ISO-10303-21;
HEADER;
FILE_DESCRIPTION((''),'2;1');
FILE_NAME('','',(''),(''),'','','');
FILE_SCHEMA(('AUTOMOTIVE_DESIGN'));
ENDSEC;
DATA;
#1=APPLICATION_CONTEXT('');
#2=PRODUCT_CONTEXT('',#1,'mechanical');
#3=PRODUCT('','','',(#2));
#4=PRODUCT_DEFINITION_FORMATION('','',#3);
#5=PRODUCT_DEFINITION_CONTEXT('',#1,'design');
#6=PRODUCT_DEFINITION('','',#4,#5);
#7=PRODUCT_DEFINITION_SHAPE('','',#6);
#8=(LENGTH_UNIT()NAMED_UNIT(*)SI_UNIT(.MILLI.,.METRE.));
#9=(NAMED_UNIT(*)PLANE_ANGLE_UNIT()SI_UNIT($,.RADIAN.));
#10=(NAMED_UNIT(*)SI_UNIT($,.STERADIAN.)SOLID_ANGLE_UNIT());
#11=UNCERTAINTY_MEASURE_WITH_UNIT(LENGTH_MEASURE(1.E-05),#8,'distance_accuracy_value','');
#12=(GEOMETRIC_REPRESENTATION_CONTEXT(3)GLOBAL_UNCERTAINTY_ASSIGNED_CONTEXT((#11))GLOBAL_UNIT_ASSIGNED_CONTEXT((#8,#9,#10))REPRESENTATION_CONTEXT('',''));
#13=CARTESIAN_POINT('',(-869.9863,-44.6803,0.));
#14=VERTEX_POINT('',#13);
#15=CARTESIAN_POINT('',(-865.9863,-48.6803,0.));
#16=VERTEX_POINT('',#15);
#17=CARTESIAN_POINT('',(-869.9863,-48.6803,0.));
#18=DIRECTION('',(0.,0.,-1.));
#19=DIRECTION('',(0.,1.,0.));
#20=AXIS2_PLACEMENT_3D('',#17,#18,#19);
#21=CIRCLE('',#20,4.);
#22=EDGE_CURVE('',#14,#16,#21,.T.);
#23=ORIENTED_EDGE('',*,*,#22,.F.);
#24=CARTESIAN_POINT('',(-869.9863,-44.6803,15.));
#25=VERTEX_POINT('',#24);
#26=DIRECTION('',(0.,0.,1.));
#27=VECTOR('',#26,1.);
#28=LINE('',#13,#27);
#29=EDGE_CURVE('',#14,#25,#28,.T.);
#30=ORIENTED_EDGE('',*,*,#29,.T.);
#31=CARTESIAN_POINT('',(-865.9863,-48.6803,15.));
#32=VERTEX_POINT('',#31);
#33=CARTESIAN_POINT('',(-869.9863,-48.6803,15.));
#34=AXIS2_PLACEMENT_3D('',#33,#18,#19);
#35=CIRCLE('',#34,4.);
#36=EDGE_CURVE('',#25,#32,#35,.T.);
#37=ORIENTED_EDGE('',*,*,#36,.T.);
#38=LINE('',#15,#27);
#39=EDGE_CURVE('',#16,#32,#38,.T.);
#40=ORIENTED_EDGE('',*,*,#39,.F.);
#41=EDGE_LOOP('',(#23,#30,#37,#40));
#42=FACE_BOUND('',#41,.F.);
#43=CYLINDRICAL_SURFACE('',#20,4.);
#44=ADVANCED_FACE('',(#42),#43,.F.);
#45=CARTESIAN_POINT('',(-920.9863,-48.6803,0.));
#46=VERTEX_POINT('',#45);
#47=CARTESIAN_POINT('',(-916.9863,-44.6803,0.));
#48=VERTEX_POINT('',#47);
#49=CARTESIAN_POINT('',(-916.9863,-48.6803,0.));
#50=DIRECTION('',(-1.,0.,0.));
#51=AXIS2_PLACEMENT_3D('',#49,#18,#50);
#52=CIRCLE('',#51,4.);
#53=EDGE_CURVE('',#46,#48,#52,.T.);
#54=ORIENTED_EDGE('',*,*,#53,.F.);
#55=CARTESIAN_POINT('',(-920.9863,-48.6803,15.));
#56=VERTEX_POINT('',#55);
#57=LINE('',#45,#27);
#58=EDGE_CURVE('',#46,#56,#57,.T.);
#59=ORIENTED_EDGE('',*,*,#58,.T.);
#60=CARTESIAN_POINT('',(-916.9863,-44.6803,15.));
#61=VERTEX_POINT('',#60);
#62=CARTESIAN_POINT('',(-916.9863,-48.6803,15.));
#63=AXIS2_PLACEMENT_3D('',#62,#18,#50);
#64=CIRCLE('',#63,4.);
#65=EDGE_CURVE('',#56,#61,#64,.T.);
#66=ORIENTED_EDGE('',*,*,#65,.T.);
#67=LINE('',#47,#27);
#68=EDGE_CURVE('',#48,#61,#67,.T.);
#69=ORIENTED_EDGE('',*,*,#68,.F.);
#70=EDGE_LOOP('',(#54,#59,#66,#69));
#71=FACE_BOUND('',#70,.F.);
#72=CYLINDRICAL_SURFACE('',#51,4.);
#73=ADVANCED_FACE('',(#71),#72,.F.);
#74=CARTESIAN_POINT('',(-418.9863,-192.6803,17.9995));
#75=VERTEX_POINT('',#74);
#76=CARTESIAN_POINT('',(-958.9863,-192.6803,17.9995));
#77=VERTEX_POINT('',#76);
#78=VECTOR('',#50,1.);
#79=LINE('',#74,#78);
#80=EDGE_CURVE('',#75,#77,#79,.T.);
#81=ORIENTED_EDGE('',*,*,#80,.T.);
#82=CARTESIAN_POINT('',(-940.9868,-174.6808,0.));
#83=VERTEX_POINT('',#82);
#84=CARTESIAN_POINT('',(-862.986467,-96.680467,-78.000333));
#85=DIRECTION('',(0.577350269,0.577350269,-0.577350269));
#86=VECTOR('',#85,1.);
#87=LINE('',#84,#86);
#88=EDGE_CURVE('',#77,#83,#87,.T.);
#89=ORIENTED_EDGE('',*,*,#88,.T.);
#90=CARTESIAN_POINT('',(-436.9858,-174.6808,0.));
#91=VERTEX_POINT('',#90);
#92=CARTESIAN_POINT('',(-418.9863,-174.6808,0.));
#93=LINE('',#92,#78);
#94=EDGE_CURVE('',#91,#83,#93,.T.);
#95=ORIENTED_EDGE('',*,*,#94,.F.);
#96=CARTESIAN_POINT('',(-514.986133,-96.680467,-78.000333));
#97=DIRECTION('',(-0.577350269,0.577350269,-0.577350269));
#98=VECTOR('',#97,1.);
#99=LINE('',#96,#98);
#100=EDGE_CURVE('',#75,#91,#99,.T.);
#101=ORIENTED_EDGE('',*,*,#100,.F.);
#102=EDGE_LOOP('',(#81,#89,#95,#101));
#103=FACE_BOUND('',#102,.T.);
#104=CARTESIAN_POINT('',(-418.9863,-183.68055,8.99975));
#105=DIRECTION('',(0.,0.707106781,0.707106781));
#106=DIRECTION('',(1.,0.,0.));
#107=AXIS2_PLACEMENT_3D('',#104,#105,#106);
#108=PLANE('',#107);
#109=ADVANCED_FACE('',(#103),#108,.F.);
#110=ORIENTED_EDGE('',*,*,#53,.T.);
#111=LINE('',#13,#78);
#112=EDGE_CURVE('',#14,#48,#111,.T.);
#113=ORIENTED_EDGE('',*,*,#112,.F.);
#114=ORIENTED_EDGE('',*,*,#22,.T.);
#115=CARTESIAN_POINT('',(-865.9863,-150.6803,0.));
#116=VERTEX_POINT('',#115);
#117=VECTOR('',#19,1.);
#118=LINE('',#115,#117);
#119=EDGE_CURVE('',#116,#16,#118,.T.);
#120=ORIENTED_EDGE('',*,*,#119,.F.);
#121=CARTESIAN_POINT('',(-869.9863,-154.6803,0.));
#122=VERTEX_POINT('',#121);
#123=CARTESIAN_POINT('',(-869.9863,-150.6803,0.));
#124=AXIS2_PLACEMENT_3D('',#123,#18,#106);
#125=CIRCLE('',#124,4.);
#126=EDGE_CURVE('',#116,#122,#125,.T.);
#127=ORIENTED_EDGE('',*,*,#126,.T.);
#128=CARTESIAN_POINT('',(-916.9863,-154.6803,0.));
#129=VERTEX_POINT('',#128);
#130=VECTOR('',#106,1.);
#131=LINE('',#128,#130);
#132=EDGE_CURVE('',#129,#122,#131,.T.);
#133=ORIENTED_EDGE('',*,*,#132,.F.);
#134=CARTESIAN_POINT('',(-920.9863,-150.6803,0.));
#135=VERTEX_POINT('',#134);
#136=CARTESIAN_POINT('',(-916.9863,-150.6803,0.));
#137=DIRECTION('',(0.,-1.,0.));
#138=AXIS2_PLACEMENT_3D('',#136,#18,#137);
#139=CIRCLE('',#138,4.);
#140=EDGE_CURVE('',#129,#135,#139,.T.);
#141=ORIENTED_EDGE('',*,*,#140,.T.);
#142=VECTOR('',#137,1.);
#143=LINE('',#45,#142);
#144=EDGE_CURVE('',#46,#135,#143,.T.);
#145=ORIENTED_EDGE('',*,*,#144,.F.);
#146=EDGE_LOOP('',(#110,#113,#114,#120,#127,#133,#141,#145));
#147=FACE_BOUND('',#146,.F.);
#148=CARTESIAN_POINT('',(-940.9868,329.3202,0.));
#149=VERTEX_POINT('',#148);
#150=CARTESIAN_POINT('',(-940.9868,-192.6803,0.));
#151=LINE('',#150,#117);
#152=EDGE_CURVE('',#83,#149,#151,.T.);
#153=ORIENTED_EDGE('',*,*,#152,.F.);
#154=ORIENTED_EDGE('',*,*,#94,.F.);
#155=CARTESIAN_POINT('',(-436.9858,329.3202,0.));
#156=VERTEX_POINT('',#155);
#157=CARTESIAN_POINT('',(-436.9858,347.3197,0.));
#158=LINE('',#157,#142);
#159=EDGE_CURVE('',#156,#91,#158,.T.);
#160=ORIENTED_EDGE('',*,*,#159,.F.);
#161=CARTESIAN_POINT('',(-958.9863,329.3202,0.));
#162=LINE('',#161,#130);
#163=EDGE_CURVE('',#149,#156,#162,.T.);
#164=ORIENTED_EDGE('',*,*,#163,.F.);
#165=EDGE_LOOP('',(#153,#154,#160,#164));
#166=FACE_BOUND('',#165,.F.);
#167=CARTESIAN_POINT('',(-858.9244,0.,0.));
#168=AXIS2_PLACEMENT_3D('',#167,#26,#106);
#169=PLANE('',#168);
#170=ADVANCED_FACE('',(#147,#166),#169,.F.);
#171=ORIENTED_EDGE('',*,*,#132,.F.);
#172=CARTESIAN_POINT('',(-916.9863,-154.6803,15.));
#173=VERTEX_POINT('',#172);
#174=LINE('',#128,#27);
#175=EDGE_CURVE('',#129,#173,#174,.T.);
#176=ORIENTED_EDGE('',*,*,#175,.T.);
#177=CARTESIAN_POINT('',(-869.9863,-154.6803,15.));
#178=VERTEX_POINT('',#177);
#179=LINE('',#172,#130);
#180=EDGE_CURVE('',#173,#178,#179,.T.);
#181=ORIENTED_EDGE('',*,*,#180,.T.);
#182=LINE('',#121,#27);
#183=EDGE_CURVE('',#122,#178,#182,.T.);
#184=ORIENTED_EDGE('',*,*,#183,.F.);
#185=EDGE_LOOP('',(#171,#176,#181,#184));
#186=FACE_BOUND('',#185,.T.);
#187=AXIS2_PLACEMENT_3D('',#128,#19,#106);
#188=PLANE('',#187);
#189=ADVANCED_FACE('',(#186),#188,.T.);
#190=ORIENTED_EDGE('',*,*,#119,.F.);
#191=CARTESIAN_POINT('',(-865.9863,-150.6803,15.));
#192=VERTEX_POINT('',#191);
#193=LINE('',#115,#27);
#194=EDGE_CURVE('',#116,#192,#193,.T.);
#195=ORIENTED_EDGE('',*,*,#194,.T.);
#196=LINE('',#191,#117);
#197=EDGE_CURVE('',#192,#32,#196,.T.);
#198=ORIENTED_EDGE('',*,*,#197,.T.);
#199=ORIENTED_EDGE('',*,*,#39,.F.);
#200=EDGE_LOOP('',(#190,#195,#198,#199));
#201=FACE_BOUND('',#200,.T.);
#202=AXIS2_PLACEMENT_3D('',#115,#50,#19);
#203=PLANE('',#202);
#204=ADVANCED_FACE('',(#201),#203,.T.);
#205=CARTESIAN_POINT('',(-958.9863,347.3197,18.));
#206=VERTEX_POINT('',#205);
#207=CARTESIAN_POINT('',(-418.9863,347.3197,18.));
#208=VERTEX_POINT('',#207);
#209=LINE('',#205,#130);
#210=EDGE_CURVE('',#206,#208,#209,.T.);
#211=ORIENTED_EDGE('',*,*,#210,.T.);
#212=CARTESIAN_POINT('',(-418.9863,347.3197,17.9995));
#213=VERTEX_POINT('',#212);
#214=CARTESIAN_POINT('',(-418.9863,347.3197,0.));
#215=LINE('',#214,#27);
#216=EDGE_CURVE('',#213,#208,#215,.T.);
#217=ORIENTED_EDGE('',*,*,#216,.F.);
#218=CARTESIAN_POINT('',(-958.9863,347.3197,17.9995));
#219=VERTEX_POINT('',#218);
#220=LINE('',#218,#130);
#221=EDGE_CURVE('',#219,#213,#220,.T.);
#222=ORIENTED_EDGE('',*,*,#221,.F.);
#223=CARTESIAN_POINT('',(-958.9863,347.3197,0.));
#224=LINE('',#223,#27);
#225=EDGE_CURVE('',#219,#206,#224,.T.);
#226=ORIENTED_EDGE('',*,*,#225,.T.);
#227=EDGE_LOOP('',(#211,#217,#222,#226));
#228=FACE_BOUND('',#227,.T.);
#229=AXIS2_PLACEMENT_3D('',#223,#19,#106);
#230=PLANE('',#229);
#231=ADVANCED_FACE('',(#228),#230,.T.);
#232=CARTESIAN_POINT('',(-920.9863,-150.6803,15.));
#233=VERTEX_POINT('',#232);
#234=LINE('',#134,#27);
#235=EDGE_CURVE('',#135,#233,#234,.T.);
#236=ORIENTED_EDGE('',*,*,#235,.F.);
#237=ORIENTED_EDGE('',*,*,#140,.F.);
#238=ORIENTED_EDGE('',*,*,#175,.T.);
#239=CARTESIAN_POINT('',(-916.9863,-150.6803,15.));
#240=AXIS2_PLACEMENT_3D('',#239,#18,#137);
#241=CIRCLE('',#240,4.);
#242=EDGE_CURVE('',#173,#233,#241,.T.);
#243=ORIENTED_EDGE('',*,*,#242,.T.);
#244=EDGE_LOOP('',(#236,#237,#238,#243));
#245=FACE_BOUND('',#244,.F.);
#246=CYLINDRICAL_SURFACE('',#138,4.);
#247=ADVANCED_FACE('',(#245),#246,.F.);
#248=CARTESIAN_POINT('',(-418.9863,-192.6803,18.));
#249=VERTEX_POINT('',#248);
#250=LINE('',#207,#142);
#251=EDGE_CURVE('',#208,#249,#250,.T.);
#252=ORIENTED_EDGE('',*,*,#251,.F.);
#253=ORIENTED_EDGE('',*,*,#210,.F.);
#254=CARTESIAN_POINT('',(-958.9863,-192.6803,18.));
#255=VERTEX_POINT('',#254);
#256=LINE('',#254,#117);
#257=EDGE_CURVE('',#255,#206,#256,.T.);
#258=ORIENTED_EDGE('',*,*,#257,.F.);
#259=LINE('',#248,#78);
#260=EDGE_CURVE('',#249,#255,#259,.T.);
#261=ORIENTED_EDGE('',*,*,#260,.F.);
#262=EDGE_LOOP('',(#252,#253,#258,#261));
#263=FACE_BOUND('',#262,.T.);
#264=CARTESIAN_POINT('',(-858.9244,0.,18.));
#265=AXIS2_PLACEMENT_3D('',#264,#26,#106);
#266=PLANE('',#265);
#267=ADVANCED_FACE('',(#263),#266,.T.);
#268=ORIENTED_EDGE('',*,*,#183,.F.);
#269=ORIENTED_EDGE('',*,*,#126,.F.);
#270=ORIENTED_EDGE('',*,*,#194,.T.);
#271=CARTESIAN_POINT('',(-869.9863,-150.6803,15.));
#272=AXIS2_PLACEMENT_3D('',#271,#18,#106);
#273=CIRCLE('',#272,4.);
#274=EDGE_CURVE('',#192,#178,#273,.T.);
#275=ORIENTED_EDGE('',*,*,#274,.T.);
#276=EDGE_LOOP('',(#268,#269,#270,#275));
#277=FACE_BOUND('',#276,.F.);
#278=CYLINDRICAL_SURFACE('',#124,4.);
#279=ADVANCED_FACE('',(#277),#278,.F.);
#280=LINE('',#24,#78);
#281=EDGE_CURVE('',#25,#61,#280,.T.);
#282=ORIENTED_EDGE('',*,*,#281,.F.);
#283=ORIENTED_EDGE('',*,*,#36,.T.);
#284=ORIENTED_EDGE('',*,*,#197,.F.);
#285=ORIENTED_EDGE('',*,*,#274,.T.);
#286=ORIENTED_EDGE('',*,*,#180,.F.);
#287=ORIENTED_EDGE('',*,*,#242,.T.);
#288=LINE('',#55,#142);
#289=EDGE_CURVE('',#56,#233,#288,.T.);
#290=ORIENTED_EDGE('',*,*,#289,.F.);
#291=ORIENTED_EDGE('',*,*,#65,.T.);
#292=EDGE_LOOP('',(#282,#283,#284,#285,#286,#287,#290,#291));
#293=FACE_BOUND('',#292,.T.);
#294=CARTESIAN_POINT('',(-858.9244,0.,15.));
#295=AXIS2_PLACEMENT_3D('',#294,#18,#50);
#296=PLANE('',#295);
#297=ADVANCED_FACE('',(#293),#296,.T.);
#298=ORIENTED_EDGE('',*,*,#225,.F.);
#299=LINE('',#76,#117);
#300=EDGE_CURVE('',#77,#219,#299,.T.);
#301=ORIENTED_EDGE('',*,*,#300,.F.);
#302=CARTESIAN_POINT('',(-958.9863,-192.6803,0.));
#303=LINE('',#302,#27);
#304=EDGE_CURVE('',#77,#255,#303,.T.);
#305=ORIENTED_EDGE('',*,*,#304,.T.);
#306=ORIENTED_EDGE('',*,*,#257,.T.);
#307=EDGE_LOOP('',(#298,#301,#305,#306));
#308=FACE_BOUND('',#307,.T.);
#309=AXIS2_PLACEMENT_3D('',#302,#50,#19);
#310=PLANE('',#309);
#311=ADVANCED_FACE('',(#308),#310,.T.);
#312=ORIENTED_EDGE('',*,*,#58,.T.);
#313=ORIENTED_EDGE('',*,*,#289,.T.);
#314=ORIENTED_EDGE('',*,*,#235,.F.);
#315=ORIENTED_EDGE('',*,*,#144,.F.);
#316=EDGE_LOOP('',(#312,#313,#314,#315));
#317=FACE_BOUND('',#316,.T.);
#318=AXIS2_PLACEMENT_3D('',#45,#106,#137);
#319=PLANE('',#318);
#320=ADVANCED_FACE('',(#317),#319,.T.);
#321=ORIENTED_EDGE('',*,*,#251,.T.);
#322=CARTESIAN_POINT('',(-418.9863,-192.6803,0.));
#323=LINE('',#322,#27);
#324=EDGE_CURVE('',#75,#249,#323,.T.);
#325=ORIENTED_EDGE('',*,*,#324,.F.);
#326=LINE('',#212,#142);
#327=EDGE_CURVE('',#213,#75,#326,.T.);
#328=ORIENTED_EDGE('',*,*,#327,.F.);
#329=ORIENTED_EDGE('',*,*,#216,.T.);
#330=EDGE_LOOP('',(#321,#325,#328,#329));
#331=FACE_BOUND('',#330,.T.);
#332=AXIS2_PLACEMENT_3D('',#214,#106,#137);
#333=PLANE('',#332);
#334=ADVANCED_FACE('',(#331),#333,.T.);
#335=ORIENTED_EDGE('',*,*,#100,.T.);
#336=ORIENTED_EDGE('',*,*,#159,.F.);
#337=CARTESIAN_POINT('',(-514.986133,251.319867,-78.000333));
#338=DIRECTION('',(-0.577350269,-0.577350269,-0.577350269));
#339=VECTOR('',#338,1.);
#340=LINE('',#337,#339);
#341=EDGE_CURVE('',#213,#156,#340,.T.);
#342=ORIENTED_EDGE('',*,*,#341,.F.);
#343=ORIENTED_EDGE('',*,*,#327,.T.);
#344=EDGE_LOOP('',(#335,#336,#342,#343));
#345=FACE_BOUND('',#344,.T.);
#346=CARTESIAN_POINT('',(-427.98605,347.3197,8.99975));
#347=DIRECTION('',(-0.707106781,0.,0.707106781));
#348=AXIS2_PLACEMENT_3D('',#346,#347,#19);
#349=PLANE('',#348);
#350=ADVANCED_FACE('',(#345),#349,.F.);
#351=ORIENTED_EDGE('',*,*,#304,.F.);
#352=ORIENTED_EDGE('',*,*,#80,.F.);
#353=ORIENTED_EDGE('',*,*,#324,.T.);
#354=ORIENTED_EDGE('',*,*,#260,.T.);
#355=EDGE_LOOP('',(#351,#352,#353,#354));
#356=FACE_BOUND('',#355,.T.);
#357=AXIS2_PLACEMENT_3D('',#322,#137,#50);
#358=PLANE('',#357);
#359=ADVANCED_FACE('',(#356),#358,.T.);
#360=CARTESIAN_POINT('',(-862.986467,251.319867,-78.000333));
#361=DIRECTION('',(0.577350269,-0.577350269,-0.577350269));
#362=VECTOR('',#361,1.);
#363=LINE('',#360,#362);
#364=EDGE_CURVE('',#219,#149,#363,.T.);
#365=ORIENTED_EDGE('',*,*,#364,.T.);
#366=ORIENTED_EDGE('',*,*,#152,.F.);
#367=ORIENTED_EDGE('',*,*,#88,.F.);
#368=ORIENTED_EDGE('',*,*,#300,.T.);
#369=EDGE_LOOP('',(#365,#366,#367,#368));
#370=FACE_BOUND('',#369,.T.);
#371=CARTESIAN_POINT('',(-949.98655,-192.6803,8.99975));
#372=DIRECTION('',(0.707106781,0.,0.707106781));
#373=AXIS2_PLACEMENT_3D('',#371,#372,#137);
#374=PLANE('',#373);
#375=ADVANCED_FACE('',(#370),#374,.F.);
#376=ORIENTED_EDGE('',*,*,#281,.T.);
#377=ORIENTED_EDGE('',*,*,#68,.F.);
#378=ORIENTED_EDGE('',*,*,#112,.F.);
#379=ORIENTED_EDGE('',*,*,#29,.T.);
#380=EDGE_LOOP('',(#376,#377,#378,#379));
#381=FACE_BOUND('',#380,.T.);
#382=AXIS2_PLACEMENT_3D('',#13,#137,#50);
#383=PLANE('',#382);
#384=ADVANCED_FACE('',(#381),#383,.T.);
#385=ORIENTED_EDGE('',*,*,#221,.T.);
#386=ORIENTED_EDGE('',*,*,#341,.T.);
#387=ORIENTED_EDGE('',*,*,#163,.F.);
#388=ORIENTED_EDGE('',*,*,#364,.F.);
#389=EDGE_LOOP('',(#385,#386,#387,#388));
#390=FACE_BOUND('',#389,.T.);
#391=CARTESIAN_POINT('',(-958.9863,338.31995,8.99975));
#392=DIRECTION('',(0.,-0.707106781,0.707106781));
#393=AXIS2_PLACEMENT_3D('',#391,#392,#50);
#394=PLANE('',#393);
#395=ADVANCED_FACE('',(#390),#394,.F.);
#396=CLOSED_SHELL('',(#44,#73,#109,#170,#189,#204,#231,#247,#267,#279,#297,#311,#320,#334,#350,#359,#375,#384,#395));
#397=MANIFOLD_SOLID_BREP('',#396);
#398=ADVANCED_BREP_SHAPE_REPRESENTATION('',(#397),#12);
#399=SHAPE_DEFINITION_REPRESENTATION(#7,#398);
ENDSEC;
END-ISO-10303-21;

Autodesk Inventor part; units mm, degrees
ref_plane "YZ Plane" through (0, 0, 0) normal (1, 0, 0) x (0, 1, 0)
ref_plane "XZ Plane" through (0, 0, 0) normal (0, 1, 0) x (-1, 0, 0)
ref_plane "XY Plane" through (0, 0, 0) normal (0, 0, 1) x (1, 0, 0)
ref_plane "Arbeitsebene1" through (-858.9244, 0, 0) normal (0, 0, 1) x (1, 0, 0)
sketch "Skizze2" plane through (-858.9244, 0, 0) normal (0, 0, 1) x (1, 0, 0)
  line L0 (-100.0619, 347.3197) -> (439.9381, 347.3197)
  line L1 (439.9381, 347.3197) -> (439.9381, -192.6803)
  line L2 (439.9381, -192.6803) -> (-100.0619, -192.6803)
  line L3 (-100.0619, -192.6803) -> (-100.0619, 347.3197)
  point P0 (858.9244, 0)
  dimension "d5" = 540
  dimension "d6" = 540
extrude "Extrusion2" add sketch "Skizze2" along normal blind 18
chamfer "Fase2" distance 18 angle 45 4 edges at (-688.9863, -192.6803, 0) (-418.9863, 77.3197, 0) (-958.9863, 77.3197, 0) (-688.9863, 347.3197, 0)
sketch "Skizze3" plane through (-858.9244, 0, 0) normal (0, 0, -1) x (-1, 0, 0)
  line L0 (58.0619, -154.6803) -> (11.0619, -154.6803)
  line L1 (7.0619, -150.6803) -> (7.0619, -48.6803)
  line L2 (11.0619, -44.6803) -> (58.0619, -44.6803)
  line L3 (62.0619, -48.6803) -> (62.0619, -150.6803)
  line L4 (82.0619, -174.6803) -> (-421.9381, -174.6803) projected
  line L5 (82.0619, 329.3197) -> (82.0619, -174.6803) projected
  arc A0 (58.0619, -154.6803) -> (62.0619, -150.6803) centre (58.0619, -150.6803) ccw
  arc A1 (7.0619, -150.6803) -> (11.0619, -154.6803) centre (11.0619, -150.6803) ccw
  arc A2 (11.0619, -44.6803) -> (7.0619, -48.6803) centre (11.0619, -48.6803) ccw
  arc A3 (62.0619, -48.6803) -> (58.0619, -44.6803) centre (58.0619, -48.6803) ccw
  point P0 (-858.9244, 0)
  point P1 (7.0619, -44.6803)
  point P2 (7.0619, -154.6803)
  point P3 (62.0619, -44.6803)
  dimension "d12" = 55
  dimension "d13" = 110
  dimension "d14" = 20
  dimension "d15" = 20
  dimension "d16" = 4
extrude "Extrusion3" cut sketch "Skizze3" against normal blind 15
properties part number "Sitzfläche"
